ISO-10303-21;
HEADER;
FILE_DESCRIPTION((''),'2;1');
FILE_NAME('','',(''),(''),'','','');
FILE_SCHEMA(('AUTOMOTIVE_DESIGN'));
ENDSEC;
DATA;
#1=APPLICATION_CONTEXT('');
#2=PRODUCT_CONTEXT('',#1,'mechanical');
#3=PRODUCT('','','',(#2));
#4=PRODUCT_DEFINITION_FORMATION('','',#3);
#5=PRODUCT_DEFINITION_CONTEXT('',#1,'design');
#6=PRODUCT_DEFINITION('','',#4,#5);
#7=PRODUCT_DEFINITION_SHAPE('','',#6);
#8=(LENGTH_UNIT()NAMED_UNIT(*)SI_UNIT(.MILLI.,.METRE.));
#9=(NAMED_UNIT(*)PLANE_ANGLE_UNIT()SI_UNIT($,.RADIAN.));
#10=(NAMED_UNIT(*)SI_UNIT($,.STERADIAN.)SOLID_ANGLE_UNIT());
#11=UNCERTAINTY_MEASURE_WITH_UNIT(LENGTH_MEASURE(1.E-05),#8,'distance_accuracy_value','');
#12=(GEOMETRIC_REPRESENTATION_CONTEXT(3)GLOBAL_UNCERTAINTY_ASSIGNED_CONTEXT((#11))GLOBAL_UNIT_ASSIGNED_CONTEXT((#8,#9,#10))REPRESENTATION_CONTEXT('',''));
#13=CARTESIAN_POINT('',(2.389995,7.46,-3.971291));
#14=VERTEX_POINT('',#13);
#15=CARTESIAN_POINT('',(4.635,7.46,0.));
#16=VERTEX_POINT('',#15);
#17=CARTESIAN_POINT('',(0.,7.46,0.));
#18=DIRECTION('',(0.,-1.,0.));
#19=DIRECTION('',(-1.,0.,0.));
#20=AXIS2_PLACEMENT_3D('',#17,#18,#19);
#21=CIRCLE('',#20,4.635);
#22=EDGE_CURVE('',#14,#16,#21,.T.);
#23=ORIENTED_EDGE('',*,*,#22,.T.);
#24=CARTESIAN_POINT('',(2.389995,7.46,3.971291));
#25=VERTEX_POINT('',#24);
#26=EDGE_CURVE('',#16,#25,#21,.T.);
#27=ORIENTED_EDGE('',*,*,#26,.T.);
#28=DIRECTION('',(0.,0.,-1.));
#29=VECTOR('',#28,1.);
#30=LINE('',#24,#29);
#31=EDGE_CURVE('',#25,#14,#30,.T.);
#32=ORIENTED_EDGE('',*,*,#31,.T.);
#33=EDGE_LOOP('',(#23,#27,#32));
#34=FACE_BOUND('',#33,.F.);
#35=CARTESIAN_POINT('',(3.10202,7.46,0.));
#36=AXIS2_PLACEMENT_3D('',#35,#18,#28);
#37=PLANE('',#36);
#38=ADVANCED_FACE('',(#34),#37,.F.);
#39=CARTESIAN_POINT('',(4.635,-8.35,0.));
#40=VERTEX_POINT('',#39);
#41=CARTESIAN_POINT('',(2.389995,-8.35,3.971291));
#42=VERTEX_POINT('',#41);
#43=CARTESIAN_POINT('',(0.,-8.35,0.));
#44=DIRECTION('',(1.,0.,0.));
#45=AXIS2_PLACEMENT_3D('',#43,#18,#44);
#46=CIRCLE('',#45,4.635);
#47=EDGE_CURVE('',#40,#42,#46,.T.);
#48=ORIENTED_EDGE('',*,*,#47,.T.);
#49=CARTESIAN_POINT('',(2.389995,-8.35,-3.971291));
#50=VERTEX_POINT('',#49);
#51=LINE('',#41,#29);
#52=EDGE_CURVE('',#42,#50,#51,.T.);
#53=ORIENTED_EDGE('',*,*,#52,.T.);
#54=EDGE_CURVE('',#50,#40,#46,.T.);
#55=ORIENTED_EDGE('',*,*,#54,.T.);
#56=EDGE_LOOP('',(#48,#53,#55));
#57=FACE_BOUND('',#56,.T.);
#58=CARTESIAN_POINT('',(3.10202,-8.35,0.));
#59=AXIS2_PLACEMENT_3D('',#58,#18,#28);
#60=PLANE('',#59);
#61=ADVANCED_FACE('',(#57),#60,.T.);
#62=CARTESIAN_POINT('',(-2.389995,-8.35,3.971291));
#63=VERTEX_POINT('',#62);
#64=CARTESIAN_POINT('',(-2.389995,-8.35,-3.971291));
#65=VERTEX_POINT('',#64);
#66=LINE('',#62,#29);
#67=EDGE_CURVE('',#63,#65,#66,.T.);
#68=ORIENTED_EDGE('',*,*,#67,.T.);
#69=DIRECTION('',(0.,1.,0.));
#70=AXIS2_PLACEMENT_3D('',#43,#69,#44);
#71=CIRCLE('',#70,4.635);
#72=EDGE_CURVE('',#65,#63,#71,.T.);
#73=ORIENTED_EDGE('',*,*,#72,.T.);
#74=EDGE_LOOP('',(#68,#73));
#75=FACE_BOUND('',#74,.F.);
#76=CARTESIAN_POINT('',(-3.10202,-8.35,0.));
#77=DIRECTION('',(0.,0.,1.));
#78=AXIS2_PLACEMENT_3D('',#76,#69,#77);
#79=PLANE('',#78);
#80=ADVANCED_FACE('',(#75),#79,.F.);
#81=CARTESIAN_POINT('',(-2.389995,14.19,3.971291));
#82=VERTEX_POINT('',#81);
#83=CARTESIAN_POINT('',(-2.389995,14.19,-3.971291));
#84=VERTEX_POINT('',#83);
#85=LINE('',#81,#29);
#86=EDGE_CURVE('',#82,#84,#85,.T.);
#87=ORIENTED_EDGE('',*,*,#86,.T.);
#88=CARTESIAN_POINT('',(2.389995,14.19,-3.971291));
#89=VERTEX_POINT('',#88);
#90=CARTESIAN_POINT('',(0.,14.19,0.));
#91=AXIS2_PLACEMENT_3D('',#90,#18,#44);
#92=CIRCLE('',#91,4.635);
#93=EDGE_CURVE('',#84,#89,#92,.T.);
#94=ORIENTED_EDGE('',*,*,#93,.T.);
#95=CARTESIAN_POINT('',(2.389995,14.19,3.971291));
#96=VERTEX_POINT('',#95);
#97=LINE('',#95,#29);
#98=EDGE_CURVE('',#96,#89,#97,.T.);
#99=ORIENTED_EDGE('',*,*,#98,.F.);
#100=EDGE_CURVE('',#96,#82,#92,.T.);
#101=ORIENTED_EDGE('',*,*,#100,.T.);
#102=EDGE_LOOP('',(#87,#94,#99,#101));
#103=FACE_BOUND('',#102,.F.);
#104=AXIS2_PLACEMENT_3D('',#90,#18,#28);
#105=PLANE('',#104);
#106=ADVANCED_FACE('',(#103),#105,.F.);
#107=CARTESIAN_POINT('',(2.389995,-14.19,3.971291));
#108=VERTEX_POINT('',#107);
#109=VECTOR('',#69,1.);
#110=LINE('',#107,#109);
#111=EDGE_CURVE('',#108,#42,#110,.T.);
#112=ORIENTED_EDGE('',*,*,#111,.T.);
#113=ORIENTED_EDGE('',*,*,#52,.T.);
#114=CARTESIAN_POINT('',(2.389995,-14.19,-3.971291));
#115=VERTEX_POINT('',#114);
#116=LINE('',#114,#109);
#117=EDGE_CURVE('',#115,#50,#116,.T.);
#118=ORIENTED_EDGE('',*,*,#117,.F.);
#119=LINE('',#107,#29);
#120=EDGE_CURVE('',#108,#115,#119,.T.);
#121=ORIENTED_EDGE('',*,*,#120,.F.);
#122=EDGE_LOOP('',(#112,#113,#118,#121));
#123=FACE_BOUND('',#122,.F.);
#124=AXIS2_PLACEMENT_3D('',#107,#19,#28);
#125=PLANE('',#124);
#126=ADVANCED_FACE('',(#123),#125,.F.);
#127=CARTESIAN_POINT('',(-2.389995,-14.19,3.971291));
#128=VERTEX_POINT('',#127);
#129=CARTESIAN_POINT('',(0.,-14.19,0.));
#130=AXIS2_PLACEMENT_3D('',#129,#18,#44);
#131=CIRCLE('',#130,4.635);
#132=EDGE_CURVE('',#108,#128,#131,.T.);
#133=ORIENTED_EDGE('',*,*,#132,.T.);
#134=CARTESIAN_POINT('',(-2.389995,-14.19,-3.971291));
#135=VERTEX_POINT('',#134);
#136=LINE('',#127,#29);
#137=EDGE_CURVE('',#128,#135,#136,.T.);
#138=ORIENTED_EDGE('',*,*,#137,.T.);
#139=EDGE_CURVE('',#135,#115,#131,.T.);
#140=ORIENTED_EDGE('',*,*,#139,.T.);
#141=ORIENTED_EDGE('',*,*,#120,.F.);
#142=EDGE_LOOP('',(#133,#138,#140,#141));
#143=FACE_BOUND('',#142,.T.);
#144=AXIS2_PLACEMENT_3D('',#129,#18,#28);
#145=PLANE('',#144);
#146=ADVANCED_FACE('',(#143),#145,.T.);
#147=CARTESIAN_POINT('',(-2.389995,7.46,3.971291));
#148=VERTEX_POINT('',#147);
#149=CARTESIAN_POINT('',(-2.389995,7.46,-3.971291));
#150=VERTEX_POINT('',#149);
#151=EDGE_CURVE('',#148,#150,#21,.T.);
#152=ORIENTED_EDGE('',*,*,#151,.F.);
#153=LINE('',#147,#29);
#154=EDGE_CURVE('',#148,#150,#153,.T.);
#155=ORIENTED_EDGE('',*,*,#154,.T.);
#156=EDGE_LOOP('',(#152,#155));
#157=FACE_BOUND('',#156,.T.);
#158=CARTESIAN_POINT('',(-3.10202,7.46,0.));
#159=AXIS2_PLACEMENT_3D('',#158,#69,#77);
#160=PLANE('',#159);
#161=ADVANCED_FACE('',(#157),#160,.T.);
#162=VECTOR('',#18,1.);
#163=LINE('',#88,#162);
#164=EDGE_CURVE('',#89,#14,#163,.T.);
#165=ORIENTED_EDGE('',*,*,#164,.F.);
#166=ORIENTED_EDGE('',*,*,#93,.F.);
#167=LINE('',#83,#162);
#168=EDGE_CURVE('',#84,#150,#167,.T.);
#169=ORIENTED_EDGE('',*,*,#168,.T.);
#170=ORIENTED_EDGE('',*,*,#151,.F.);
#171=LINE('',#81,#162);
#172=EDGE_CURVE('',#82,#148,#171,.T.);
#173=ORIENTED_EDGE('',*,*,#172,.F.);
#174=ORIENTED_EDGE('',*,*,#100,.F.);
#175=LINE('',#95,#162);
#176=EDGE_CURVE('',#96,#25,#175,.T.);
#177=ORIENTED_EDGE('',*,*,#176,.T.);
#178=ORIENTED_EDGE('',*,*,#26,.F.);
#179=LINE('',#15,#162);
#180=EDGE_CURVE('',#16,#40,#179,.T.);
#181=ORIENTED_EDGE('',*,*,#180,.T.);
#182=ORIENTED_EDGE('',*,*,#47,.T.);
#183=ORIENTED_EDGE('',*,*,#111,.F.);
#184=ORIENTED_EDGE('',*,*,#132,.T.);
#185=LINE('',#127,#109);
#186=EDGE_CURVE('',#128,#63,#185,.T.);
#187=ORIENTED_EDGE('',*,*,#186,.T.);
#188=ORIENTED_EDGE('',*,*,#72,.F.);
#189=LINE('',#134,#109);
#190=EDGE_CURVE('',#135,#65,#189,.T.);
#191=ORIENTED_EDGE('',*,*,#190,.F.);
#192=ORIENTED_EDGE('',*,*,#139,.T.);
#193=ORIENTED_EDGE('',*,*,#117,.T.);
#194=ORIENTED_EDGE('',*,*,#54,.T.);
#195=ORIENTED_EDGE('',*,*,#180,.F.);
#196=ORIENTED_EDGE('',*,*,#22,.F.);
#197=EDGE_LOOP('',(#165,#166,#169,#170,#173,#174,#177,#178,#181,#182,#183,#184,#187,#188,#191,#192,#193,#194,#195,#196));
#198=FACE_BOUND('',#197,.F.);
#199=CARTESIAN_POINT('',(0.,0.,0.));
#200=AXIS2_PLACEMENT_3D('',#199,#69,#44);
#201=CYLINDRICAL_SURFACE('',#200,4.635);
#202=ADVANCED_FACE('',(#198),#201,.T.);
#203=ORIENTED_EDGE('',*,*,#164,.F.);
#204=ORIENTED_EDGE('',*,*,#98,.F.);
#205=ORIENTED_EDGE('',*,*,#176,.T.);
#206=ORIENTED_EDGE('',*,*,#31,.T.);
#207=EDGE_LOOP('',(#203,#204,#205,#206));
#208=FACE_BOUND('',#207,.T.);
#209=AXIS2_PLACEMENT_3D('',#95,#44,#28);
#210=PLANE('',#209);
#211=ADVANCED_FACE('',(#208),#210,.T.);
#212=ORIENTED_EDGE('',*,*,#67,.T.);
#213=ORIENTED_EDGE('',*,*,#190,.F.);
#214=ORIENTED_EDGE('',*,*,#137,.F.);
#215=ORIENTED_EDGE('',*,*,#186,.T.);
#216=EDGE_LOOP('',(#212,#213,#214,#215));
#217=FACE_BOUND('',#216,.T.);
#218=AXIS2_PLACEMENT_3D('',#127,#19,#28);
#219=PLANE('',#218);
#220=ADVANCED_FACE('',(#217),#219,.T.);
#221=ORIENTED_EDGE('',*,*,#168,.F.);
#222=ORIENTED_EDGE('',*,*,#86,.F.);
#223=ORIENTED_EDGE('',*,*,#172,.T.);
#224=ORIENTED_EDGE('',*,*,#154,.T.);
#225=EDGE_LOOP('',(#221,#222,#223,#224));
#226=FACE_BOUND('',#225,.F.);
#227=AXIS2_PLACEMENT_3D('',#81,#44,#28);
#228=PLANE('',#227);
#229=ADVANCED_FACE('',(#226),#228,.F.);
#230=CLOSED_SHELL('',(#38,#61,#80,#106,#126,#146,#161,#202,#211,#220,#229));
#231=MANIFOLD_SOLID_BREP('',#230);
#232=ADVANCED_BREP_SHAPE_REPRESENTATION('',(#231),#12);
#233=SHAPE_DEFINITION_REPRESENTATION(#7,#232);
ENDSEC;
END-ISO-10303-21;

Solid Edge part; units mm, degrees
sketch "Sketch1" plane through (0, 0, 0) normal (0, -1, 0) x (1, 0, 0)
  circle A0 centre (0, 0) radius 4.635
extrude "Protrusion1" add sketch "Sketch1" along normal mid plane 28.38
sketch "Sketch2" plane through (0, -14.19, 0) normal (0, -1, 0) x (1, 0, 0)
  line L0 (-2.39, 3.9713) -> (-2.39, -3.9713)
  arc A0 (-2.39, -3.9713) -> (-2.39, 3.9713) centre (0, 0) cw
  line L1 (2.39, 3.9713) -> (2.39, -3.9713)
  arc A1 (2.39, -3.9713) -> (2.39, 3.9713) centre (0, 0) ccw
extrude "Enlèvement_matière_1" cut sketch "Sketch2" against normal blind 5.84
sketch "Sketch3" plane through (0, 14.19, 0) normal (0, 1, 0) x (-1, 0, 0)
  line L0 (-2.39, 3.9713) -> (-2.39, -3.9713)
  arc A0 (-2.39, -3.9713) -> (-2.39, 3.9713) centre (0, 0) cw
  line L1 (2.39, 3.9713) -> (2.39, -3.9713)
  arc A1 (2.39, 3.9713) -> (2.39, -3.9713) centre (0, 0) cw
extrude "Enlèvement_matière_2" cut sketch "Sketch3" against normal blind 6.73
